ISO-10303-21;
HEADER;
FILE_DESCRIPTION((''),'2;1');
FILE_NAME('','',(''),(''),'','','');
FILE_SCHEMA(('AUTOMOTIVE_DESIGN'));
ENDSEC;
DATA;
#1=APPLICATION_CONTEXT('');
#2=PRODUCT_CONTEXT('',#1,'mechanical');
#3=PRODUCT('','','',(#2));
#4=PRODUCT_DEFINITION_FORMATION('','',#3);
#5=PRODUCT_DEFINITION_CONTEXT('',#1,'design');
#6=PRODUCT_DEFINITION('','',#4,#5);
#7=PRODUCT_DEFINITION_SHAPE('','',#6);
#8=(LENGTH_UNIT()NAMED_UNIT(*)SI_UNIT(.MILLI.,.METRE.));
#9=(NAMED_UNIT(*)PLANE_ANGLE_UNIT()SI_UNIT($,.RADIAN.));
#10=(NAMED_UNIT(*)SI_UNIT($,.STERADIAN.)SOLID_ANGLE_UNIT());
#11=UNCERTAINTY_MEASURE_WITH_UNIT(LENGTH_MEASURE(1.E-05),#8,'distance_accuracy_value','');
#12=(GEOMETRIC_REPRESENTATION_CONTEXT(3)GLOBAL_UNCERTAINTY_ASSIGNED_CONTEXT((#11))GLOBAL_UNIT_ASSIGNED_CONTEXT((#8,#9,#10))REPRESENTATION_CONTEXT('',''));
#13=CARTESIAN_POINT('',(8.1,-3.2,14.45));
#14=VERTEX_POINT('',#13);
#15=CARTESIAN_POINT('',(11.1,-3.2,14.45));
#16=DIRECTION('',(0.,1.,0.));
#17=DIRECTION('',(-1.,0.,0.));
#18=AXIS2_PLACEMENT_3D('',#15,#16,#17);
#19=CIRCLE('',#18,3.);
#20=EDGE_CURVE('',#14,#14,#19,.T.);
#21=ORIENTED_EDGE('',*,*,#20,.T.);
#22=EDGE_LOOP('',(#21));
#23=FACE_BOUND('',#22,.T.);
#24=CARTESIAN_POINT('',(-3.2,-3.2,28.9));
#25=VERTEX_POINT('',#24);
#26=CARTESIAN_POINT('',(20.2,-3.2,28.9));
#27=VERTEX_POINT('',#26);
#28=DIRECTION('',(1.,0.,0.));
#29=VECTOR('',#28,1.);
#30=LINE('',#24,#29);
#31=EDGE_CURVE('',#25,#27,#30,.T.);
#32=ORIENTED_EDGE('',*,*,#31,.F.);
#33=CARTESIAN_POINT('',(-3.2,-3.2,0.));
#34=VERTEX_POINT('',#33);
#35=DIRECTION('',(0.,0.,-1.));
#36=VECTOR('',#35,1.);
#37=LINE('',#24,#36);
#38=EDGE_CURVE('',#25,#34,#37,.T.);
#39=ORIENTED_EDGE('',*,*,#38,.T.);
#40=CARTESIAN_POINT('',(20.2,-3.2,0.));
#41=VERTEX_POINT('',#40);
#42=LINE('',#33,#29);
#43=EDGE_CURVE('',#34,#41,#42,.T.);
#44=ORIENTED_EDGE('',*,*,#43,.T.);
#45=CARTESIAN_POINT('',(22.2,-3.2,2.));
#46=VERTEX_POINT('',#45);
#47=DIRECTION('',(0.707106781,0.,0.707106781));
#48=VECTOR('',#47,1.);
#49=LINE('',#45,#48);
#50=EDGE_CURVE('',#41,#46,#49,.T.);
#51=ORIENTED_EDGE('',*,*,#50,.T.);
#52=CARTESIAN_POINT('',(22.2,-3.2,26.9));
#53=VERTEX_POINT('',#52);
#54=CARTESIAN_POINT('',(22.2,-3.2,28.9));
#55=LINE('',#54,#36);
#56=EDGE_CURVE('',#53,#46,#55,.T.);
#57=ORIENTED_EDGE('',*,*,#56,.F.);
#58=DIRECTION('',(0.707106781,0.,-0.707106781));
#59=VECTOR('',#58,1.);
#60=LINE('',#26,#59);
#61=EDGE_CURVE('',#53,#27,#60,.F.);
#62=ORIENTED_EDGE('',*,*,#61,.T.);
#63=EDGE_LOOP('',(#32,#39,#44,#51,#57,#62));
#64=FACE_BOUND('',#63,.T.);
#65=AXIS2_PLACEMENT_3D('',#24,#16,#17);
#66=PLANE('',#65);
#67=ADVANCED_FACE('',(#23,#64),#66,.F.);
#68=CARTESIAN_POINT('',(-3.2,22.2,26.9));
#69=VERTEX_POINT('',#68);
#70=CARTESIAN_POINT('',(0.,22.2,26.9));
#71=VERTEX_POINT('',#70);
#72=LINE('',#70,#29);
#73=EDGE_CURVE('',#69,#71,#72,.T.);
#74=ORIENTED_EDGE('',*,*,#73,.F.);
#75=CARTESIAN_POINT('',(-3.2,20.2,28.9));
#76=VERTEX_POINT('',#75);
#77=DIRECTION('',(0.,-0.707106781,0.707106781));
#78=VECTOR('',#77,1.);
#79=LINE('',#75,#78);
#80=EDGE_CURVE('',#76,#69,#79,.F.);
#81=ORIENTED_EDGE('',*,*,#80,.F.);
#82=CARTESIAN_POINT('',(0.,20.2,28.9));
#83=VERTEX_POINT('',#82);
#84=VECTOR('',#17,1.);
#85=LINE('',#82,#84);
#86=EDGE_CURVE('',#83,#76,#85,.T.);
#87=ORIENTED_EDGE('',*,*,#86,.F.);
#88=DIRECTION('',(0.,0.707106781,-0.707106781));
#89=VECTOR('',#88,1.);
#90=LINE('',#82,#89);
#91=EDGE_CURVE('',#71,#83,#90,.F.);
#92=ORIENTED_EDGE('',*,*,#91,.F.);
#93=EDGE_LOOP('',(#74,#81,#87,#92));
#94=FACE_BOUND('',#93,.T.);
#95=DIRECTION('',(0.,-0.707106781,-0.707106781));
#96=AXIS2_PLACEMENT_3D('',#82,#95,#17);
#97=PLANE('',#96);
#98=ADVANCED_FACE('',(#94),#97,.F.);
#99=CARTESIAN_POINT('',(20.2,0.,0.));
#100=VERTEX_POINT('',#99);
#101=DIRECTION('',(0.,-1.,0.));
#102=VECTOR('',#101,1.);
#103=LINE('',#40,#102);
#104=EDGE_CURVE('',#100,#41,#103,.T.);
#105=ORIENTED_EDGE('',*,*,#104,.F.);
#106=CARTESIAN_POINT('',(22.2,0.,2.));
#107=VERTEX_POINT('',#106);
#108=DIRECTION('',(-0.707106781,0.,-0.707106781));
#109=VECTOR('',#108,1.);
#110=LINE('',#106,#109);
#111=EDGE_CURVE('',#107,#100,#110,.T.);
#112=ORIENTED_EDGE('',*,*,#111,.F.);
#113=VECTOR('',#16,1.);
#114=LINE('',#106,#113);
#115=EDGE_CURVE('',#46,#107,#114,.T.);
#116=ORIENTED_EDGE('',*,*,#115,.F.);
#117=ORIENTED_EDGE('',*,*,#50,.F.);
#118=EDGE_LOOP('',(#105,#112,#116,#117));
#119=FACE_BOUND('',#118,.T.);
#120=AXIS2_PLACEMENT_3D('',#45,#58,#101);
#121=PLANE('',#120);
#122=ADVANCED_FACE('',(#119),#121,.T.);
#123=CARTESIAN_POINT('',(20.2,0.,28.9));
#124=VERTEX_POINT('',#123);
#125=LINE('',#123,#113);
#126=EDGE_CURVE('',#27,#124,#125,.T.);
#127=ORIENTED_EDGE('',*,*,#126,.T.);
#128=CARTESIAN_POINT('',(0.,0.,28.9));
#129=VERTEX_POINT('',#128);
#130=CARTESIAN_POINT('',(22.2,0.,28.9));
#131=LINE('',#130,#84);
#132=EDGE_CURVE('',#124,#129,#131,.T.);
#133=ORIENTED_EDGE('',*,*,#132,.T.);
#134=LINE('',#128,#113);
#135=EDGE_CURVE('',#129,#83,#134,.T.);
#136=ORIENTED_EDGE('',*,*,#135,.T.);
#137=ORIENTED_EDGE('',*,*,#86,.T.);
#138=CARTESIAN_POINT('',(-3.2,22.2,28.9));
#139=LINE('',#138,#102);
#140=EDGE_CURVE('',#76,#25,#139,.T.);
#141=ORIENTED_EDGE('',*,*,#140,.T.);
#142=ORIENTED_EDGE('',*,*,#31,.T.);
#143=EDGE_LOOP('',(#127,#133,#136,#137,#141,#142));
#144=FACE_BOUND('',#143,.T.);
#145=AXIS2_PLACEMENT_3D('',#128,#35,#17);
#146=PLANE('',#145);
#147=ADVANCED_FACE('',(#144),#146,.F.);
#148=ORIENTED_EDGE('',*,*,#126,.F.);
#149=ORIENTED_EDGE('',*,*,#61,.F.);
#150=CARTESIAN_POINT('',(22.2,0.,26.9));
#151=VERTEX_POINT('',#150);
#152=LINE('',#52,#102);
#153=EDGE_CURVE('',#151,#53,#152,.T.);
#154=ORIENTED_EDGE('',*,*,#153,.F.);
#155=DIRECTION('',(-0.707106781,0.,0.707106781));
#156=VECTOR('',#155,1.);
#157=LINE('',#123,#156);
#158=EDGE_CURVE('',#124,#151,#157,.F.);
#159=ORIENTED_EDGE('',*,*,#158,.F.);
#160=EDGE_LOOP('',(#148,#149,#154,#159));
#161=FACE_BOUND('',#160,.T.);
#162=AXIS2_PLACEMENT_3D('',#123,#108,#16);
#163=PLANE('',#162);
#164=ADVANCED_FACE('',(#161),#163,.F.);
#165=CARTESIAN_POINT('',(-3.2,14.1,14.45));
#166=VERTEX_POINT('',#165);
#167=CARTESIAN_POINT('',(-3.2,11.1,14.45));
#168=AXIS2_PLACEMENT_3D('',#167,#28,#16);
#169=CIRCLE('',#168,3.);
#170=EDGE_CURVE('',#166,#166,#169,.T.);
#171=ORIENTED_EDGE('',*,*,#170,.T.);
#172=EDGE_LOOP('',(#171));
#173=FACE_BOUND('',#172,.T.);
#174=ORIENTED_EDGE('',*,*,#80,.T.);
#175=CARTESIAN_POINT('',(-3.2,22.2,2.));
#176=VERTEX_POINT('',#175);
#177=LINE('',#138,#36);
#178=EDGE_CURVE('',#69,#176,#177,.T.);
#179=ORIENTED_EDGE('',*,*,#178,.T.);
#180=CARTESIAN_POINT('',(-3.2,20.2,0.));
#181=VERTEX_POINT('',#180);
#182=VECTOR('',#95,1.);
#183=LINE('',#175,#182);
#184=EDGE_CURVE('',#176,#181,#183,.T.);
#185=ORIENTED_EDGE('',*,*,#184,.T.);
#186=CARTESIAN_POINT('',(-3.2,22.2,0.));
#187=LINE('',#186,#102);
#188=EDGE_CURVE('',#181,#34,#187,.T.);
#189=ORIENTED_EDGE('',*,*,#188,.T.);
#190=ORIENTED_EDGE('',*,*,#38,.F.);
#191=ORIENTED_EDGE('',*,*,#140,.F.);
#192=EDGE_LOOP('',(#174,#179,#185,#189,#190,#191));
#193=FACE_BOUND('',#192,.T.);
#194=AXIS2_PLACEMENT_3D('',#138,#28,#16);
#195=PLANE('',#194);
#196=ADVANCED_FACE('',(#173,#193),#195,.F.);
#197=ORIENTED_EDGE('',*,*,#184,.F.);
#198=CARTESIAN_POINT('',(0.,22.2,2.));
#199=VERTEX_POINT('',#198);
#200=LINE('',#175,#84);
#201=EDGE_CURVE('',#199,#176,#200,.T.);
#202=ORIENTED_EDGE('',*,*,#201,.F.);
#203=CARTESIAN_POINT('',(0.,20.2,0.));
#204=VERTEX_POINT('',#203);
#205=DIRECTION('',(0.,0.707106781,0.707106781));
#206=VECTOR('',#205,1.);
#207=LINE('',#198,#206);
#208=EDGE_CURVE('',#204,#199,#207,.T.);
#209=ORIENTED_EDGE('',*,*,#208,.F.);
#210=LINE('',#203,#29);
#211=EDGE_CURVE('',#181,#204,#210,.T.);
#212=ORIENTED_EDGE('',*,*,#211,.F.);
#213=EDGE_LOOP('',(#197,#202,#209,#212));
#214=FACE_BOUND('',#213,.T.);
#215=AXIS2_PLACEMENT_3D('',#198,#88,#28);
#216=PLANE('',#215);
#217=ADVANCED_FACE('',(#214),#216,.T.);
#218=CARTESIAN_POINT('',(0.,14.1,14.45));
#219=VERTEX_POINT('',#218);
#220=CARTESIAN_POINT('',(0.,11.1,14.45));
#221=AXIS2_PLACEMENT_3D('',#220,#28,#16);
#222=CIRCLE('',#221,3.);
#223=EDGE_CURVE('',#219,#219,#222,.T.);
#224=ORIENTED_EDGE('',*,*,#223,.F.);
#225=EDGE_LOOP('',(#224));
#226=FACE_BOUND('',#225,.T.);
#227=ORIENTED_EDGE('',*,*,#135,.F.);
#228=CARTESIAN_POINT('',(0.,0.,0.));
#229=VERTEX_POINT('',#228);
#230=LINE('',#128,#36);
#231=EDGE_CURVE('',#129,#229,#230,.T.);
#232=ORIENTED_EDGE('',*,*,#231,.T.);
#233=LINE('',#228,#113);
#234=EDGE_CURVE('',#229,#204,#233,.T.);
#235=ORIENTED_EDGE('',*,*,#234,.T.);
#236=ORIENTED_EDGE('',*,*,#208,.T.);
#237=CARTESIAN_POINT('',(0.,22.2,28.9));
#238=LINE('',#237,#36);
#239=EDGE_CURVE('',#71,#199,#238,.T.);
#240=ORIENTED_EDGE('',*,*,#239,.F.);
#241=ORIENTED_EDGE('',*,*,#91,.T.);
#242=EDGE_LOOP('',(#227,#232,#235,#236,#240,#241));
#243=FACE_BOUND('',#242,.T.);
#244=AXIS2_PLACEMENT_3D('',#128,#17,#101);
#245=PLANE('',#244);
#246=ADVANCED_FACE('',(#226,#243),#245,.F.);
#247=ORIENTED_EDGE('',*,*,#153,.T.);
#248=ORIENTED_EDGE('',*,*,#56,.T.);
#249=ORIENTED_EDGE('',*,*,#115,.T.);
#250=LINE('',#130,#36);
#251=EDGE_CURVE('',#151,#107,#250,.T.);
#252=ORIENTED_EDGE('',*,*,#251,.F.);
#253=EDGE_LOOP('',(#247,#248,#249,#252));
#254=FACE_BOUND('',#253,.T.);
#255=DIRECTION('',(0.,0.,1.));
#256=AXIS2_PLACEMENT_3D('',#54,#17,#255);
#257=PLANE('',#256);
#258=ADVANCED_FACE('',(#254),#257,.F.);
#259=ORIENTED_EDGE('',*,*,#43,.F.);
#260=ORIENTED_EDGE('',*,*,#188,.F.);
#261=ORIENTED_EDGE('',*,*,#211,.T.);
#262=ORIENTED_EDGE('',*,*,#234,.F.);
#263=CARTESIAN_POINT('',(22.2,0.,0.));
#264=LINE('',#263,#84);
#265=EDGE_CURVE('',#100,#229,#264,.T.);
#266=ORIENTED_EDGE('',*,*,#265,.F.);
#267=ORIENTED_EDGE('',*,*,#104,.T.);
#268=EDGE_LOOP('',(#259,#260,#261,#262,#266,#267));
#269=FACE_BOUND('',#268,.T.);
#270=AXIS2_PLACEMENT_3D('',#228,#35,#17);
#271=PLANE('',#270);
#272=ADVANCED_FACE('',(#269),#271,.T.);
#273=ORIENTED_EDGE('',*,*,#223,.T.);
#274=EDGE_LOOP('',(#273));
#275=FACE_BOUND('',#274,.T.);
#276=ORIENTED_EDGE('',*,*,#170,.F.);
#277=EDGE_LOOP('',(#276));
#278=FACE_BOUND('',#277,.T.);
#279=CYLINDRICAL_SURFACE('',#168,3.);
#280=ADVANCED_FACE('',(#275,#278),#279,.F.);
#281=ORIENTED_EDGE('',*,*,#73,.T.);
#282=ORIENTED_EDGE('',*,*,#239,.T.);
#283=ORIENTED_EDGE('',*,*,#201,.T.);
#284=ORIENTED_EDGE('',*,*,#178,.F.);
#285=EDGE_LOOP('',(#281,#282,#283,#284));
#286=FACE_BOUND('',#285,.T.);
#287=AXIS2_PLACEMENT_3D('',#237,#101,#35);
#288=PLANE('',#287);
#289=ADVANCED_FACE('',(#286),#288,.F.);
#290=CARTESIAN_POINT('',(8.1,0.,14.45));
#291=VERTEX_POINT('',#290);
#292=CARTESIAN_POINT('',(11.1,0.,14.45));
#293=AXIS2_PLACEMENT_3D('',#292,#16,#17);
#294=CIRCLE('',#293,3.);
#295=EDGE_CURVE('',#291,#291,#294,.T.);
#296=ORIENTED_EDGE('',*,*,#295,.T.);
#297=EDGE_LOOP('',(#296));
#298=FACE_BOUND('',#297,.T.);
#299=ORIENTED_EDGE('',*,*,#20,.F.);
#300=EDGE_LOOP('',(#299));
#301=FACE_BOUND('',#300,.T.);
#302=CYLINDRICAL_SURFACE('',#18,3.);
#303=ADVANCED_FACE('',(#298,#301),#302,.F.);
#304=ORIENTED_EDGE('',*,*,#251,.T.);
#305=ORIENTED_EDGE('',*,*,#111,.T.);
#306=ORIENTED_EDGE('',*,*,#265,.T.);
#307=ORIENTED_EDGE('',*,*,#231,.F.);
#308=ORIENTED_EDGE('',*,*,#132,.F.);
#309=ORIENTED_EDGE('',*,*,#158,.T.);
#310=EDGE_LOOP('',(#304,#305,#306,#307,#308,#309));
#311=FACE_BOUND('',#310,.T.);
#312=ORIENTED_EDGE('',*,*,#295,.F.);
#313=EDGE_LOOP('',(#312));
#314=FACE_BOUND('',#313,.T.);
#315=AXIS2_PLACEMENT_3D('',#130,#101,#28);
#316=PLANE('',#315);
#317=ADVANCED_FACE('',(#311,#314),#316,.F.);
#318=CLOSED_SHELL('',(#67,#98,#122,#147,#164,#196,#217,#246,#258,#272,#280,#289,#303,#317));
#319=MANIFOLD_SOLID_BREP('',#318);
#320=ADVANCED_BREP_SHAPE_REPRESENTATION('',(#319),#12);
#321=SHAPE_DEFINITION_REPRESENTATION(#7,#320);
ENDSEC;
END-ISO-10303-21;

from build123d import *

# Parameters (mm, degrees)
RESSALTO_EXTRUS_O1_DEPTH = 28.9
CHANFRO1_SIZE            = 2
ESBO_O2_R                = 3
CORTE_EXTRUS_O1_DEPTH    = 43.671887701
ESBO_O3_R                = 3
CORTE_EXTRUS_O2_DEPTH    = 43.671887701


with BuildPart() as part:
    # Esboço1 → Ressalto-extrusão1 (new body)
    with BuildSketch(Plane.XY):
        Polygon((0, 0), (0, 22.2), (-3.2, 22.2), (-3.2, -3.2), (22.2, -3.2), (22.2, 0), align=None)
    extrude(amount=RESSALTO_EXTRUS_O1_DEPTH)

    # Chanfro1
    chanfro1_edges = [part.edges().sort_by_distance(p)[0] for p in [
        (-1.6, 22.2, 28.9),
        (22.2, -1.6, 28.9),
        (22.2, -1.6, 0),
        (-1.6, 22.2, 0),
    ]]
    chamfer(chanfro1_edges, length=CHANFRO1_SIZE)

    # Esboço2 → Corte-extrusão1 (cut, through all)
    with BuildSketch(Plane(origin=(0, 0, 0), x_dir=(1, 0, 0), z_dir=(0, 1, 0))):
        with Locations(Location((11.1, -14.45, 0), (0, 0, 180))):
            Circle(ESBO_O2_R)
    extrude(amount=-CORTE_EXTRUS_O1_DEPTH, mode=Mode.SUBTRACT)

    # Esboço3 → Corte-extrusão2 (cut, through all)
    with BuildSketch(Plane(origin=(0, 0, 0), x_dir=(0, 0, -1), z_dir=(1, 0, 0))):
        with Locations(Location((-14.45, 11.1, 0), (0, 0, 90))):
            Circle(ESBO_O3_R)
    extrude(amount=-CORTE_EXTRUS_O2_DEPTH, mode=Mode.SUBTRACT)


solid = part.part
